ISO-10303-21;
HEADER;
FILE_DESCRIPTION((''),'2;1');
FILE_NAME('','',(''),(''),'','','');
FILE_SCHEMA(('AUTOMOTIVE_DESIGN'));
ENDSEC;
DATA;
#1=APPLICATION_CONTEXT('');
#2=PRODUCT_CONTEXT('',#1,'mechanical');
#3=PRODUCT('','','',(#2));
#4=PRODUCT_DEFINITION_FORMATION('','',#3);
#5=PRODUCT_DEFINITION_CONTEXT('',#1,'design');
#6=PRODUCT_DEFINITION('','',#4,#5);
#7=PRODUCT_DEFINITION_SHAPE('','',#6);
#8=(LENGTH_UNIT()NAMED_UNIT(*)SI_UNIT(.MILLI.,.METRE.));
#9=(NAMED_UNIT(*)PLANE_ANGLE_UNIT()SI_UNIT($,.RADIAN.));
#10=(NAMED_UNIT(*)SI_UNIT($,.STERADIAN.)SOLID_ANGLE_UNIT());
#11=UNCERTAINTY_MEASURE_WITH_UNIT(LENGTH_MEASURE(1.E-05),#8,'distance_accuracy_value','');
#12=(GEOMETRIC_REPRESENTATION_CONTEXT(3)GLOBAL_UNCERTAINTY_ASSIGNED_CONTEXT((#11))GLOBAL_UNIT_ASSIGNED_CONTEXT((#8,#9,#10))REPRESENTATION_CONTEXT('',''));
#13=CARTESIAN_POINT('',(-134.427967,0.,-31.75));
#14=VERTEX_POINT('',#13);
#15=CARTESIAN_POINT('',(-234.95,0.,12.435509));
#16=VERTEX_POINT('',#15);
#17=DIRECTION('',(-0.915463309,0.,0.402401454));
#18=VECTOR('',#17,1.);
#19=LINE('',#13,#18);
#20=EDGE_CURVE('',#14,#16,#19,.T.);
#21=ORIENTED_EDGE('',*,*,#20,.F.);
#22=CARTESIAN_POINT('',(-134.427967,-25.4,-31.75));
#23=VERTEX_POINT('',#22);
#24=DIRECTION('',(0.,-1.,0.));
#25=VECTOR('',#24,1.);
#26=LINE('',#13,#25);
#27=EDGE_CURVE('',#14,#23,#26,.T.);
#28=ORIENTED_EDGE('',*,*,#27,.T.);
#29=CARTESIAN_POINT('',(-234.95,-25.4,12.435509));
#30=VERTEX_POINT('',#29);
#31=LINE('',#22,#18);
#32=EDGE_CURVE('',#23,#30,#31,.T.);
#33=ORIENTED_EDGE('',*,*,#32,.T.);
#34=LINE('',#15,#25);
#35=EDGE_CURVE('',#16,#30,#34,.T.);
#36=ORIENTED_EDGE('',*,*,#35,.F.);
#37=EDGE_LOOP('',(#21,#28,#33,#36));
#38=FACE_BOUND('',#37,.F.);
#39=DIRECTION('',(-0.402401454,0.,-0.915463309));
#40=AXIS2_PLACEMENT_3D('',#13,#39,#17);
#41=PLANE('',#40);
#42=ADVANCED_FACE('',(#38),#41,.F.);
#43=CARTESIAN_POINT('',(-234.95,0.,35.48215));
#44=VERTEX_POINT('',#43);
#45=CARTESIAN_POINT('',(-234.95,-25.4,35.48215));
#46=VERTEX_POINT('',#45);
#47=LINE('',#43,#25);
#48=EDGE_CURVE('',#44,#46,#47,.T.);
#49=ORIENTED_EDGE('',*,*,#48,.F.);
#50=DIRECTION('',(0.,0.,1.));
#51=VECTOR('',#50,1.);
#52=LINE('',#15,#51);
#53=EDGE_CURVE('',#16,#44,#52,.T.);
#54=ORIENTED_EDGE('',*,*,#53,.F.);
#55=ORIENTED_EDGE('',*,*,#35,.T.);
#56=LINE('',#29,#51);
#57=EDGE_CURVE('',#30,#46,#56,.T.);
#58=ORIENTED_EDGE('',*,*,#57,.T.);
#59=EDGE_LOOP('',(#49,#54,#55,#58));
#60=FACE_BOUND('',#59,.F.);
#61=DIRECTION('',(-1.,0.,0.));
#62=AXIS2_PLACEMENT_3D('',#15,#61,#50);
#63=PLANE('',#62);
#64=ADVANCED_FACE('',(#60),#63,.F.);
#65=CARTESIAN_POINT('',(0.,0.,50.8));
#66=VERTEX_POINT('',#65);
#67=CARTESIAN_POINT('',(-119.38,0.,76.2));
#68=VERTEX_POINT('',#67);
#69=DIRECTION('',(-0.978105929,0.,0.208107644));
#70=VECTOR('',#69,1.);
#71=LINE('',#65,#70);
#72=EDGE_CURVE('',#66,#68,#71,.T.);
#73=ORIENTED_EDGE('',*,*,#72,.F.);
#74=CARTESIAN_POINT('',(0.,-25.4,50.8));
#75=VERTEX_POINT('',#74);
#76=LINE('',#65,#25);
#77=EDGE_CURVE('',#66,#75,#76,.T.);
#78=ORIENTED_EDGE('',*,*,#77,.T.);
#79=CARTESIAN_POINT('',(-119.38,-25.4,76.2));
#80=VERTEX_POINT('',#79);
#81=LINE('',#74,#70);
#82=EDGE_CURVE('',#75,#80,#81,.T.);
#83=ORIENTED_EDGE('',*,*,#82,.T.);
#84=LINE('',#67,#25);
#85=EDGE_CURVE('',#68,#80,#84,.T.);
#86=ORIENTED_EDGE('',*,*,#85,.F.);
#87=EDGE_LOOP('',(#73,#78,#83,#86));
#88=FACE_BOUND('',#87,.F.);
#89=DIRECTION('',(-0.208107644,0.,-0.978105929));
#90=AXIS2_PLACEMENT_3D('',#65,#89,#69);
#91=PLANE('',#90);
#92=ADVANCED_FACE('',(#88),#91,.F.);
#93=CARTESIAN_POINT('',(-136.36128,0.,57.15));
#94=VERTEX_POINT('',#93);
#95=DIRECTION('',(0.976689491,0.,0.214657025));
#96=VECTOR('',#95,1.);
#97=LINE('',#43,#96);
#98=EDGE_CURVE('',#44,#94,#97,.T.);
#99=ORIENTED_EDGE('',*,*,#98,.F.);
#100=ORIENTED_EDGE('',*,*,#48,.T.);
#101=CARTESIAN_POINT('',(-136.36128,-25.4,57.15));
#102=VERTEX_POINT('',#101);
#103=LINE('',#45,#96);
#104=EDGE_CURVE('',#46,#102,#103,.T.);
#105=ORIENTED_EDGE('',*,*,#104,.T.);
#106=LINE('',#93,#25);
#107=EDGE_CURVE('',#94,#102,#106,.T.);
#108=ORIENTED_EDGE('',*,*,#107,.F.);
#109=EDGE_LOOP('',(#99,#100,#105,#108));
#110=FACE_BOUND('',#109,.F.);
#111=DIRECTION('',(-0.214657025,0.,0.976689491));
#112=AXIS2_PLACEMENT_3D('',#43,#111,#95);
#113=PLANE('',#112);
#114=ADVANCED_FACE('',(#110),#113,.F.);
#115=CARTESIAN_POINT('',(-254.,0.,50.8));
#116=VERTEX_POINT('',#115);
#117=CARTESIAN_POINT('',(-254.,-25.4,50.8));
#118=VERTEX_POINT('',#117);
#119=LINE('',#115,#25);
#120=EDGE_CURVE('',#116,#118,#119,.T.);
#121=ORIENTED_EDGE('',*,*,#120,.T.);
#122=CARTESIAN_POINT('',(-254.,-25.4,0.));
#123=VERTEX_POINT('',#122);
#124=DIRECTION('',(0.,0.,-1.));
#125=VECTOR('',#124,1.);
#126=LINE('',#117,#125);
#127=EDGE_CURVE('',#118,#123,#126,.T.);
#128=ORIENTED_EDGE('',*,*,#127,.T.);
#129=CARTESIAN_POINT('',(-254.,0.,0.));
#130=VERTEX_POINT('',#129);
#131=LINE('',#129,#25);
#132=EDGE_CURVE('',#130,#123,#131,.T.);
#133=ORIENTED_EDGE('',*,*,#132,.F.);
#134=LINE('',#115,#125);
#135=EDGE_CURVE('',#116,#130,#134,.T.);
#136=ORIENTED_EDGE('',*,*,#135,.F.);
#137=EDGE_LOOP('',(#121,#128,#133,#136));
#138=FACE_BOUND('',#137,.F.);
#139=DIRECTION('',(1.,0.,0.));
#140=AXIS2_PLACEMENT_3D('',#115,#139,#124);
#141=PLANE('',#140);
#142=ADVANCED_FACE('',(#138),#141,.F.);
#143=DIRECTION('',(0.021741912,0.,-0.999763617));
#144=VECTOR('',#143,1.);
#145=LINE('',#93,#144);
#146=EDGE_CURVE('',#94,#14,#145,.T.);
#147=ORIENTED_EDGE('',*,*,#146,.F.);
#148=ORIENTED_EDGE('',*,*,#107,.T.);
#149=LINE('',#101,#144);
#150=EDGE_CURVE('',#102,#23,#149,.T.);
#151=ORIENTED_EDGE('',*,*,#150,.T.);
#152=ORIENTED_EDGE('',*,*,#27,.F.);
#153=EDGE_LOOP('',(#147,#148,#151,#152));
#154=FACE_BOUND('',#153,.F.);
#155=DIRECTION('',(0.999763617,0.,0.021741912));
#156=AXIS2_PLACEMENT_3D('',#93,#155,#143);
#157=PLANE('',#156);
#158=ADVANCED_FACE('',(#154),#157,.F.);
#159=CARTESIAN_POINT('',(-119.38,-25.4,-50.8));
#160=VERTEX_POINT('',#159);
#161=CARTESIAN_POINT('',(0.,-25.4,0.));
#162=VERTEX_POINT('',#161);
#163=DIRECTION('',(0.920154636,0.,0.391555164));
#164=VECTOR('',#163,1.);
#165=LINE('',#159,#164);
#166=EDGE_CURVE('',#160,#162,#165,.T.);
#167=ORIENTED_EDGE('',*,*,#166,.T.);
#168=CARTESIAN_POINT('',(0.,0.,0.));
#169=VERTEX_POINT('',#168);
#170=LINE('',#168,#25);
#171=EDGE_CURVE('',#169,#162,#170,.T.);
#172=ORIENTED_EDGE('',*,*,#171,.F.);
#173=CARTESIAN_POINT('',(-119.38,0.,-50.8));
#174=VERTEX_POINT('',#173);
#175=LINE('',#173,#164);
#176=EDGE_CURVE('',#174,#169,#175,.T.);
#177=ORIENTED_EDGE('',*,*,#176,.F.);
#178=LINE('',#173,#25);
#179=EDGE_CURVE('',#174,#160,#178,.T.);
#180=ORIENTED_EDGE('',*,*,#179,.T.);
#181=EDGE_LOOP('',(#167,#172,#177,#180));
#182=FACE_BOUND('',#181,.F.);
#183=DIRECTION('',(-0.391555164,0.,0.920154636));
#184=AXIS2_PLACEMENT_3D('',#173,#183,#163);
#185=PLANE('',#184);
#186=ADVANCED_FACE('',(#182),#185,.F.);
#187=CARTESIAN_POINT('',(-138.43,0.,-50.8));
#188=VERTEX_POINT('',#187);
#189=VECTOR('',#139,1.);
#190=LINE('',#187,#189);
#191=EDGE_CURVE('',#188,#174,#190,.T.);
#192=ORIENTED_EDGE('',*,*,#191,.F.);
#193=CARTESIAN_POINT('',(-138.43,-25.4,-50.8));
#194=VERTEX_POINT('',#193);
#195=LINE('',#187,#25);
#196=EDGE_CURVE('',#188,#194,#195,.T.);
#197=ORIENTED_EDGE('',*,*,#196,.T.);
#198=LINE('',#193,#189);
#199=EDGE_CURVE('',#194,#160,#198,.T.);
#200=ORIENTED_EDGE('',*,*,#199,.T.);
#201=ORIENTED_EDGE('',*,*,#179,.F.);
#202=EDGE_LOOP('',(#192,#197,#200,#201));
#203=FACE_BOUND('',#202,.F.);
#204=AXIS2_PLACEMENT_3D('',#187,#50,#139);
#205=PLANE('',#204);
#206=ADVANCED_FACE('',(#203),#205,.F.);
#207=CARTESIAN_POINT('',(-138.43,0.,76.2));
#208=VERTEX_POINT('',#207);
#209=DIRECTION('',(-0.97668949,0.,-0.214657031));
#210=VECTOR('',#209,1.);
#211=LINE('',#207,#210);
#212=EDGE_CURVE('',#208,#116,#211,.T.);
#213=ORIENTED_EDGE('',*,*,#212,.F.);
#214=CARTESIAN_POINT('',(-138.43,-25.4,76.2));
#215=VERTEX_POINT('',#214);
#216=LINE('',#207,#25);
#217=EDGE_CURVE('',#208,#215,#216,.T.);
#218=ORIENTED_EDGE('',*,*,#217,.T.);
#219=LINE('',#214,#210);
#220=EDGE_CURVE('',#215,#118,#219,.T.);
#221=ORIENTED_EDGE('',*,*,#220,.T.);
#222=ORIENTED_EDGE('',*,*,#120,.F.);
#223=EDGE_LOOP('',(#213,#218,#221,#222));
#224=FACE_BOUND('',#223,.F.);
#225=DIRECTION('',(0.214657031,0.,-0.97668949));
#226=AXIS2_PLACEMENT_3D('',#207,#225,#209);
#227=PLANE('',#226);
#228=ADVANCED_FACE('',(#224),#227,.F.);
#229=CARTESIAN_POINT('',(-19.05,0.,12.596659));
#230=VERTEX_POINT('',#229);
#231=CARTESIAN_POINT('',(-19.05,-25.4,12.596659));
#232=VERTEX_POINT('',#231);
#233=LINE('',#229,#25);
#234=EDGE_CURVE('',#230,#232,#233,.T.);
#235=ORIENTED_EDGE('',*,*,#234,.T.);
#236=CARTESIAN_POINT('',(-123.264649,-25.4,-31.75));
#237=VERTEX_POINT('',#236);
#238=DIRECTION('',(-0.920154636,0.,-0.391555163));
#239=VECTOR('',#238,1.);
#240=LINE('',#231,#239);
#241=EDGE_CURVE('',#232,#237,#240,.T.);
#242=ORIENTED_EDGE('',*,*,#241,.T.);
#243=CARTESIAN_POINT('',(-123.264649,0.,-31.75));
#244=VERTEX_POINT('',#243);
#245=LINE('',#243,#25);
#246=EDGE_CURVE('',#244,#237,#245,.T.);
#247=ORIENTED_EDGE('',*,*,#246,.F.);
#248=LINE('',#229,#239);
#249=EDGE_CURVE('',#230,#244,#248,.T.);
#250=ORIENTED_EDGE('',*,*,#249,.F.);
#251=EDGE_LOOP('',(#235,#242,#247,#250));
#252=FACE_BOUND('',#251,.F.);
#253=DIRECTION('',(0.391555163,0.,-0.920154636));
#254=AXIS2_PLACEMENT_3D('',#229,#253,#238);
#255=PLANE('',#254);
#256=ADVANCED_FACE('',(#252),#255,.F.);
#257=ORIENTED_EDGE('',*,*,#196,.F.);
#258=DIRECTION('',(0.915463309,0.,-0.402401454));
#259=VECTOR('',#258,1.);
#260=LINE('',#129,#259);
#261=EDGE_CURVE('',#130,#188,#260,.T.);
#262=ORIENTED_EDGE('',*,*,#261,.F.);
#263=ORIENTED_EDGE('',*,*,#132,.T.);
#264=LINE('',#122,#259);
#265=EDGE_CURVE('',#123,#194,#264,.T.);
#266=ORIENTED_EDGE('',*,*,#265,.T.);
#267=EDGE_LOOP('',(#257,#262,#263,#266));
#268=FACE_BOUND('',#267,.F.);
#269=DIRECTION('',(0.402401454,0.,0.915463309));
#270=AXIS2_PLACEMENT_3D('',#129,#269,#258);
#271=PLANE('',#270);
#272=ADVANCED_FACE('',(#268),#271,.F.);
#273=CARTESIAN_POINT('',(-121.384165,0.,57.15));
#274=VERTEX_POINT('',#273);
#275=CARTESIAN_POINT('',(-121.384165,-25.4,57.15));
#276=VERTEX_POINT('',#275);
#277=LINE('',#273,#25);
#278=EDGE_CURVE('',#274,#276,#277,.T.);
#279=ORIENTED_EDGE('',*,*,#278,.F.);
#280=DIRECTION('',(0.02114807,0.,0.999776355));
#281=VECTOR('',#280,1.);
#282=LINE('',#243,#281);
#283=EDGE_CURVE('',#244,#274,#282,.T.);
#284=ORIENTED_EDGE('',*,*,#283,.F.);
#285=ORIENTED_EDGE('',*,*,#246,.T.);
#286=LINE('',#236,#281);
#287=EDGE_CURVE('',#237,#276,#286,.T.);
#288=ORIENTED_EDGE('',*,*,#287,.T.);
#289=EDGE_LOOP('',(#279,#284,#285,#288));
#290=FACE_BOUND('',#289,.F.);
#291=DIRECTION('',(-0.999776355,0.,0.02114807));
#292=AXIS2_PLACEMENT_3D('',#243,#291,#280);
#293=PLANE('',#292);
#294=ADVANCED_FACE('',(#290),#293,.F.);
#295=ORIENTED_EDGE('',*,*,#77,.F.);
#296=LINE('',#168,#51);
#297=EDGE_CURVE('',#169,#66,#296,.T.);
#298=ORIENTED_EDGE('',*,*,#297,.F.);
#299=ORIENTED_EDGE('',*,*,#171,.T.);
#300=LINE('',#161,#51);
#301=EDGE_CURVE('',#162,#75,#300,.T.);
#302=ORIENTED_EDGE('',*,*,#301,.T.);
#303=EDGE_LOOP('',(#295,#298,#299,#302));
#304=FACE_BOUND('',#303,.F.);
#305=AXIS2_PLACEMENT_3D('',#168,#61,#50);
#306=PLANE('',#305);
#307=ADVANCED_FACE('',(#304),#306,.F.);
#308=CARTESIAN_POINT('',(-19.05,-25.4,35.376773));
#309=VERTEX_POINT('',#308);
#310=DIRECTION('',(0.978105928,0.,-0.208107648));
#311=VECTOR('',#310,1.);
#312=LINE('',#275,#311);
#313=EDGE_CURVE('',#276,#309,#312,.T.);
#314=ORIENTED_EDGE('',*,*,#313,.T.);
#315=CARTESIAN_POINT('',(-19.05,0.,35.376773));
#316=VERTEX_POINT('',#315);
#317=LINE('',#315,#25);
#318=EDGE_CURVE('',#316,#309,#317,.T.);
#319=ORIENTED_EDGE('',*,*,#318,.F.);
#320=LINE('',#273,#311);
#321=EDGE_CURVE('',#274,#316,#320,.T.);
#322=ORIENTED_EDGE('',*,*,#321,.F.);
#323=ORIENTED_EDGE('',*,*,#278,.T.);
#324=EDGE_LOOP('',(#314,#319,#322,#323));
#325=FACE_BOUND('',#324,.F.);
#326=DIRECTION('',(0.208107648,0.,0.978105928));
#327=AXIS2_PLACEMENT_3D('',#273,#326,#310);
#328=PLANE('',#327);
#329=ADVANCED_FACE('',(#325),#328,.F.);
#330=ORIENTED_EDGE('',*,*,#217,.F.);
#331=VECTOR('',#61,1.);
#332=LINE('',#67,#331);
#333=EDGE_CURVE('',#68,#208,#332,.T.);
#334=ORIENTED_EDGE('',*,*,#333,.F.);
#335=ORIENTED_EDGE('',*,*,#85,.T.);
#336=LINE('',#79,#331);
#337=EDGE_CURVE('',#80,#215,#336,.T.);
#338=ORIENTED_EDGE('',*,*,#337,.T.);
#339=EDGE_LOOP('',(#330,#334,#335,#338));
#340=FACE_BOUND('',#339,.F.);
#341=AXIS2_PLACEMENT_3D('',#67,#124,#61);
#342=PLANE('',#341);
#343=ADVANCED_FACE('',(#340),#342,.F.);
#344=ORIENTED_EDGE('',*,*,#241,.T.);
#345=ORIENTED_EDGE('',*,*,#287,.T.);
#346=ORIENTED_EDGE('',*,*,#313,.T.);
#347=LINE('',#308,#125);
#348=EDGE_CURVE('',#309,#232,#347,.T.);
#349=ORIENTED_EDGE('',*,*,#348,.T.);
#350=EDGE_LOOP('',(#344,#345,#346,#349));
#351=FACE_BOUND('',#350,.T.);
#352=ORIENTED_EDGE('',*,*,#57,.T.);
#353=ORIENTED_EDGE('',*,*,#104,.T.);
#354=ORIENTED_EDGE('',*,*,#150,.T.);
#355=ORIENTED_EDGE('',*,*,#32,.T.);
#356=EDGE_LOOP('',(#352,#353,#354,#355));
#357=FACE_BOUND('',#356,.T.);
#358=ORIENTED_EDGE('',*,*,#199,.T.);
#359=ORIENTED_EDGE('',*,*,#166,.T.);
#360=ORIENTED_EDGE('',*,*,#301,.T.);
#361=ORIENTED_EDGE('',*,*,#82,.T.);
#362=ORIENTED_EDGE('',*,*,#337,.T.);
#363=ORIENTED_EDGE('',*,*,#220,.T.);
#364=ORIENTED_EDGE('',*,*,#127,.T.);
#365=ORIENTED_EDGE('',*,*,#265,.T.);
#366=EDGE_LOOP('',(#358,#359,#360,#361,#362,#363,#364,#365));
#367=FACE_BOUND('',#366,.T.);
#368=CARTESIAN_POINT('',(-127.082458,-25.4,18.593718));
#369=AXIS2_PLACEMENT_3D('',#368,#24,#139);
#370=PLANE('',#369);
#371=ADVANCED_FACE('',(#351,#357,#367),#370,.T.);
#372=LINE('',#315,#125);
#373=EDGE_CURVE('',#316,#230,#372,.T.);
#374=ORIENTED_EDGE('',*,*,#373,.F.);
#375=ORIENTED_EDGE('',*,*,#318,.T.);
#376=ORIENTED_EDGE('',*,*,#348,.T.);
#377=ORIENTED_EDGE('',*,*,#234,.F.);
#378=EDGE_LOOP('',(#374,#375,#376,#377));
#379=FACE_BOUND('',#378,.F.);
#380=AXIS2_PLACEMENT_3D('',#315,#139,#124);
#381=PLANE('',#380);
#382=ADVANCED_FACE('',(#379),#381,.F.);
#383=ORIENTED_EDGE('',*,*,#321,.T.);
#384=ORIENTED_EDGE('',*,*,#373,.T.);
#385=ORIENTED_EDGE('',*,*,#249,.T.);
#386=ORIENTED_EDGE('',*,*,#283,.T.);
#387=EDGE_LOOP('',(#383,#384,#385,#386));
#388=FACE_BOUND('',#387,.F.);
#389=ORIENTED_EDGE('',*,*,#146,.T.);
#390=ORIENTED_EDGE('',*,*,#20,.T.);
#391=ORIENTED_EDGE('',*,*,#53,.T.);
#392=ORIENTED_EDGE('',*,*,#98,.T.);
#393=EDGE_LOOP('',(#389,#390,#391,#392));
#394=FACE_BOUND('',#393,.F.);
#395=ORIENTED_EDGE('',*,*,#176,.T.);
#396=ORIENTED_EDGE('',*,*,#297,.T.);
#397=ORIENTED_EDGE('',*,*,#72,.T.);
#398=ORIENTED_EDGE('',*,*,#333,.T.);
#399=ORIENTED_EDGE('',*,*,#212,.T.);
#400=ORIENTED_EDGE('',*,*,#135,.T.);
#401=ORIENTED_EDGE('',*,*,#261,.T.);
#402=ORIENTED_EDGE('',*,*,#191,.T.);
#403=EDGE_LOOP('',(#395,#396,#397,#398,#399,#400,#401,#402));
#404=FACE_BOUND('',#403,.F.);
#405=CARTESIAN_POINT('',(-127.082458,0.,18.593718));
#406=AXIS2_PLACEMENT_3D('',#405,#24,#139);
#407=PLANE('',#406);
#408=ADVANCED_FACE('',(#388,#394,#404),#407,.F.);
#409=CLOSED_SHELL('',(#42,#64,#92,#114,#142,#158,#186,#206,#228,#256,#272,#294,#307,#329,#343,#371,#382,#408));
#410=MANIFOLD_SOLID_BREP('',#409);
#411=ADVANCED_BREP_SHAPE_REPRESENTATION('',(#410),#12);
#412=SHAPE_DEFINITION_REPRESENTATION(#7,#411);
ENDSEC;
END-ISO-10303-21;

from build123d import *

# Parameters (mm, degrees)
F1_DEPTH = 25.4


with BuildPart() as f1:
    # F0 (on Front) → F1 (new body)
    with BuildSketch(Plane.XZ):
        Polygon((-119.38, -50.8), (0, 0), (0, 50.8), (-119.38, 76.2), (-138.43, 76.2), (-254, 50.8), (-254, 0), (-138.43, -50.8), align=None)
        Polygon((-134.427967, -31.75), (-234.95, 12.435509), (-234.95, 35.48215), (-136.36128, 57.15), align=None, mode=Mode.SUBTRACT)
        Polygon((-123.264649, -31.75), (-121.384165, 57.15), (-19.05, 35.376773), (-19.05, 12.596659), align=None, mode=Mode.SUBTRACT)
    extrude(amount=F1_DEPTH)


solid = f1.part
